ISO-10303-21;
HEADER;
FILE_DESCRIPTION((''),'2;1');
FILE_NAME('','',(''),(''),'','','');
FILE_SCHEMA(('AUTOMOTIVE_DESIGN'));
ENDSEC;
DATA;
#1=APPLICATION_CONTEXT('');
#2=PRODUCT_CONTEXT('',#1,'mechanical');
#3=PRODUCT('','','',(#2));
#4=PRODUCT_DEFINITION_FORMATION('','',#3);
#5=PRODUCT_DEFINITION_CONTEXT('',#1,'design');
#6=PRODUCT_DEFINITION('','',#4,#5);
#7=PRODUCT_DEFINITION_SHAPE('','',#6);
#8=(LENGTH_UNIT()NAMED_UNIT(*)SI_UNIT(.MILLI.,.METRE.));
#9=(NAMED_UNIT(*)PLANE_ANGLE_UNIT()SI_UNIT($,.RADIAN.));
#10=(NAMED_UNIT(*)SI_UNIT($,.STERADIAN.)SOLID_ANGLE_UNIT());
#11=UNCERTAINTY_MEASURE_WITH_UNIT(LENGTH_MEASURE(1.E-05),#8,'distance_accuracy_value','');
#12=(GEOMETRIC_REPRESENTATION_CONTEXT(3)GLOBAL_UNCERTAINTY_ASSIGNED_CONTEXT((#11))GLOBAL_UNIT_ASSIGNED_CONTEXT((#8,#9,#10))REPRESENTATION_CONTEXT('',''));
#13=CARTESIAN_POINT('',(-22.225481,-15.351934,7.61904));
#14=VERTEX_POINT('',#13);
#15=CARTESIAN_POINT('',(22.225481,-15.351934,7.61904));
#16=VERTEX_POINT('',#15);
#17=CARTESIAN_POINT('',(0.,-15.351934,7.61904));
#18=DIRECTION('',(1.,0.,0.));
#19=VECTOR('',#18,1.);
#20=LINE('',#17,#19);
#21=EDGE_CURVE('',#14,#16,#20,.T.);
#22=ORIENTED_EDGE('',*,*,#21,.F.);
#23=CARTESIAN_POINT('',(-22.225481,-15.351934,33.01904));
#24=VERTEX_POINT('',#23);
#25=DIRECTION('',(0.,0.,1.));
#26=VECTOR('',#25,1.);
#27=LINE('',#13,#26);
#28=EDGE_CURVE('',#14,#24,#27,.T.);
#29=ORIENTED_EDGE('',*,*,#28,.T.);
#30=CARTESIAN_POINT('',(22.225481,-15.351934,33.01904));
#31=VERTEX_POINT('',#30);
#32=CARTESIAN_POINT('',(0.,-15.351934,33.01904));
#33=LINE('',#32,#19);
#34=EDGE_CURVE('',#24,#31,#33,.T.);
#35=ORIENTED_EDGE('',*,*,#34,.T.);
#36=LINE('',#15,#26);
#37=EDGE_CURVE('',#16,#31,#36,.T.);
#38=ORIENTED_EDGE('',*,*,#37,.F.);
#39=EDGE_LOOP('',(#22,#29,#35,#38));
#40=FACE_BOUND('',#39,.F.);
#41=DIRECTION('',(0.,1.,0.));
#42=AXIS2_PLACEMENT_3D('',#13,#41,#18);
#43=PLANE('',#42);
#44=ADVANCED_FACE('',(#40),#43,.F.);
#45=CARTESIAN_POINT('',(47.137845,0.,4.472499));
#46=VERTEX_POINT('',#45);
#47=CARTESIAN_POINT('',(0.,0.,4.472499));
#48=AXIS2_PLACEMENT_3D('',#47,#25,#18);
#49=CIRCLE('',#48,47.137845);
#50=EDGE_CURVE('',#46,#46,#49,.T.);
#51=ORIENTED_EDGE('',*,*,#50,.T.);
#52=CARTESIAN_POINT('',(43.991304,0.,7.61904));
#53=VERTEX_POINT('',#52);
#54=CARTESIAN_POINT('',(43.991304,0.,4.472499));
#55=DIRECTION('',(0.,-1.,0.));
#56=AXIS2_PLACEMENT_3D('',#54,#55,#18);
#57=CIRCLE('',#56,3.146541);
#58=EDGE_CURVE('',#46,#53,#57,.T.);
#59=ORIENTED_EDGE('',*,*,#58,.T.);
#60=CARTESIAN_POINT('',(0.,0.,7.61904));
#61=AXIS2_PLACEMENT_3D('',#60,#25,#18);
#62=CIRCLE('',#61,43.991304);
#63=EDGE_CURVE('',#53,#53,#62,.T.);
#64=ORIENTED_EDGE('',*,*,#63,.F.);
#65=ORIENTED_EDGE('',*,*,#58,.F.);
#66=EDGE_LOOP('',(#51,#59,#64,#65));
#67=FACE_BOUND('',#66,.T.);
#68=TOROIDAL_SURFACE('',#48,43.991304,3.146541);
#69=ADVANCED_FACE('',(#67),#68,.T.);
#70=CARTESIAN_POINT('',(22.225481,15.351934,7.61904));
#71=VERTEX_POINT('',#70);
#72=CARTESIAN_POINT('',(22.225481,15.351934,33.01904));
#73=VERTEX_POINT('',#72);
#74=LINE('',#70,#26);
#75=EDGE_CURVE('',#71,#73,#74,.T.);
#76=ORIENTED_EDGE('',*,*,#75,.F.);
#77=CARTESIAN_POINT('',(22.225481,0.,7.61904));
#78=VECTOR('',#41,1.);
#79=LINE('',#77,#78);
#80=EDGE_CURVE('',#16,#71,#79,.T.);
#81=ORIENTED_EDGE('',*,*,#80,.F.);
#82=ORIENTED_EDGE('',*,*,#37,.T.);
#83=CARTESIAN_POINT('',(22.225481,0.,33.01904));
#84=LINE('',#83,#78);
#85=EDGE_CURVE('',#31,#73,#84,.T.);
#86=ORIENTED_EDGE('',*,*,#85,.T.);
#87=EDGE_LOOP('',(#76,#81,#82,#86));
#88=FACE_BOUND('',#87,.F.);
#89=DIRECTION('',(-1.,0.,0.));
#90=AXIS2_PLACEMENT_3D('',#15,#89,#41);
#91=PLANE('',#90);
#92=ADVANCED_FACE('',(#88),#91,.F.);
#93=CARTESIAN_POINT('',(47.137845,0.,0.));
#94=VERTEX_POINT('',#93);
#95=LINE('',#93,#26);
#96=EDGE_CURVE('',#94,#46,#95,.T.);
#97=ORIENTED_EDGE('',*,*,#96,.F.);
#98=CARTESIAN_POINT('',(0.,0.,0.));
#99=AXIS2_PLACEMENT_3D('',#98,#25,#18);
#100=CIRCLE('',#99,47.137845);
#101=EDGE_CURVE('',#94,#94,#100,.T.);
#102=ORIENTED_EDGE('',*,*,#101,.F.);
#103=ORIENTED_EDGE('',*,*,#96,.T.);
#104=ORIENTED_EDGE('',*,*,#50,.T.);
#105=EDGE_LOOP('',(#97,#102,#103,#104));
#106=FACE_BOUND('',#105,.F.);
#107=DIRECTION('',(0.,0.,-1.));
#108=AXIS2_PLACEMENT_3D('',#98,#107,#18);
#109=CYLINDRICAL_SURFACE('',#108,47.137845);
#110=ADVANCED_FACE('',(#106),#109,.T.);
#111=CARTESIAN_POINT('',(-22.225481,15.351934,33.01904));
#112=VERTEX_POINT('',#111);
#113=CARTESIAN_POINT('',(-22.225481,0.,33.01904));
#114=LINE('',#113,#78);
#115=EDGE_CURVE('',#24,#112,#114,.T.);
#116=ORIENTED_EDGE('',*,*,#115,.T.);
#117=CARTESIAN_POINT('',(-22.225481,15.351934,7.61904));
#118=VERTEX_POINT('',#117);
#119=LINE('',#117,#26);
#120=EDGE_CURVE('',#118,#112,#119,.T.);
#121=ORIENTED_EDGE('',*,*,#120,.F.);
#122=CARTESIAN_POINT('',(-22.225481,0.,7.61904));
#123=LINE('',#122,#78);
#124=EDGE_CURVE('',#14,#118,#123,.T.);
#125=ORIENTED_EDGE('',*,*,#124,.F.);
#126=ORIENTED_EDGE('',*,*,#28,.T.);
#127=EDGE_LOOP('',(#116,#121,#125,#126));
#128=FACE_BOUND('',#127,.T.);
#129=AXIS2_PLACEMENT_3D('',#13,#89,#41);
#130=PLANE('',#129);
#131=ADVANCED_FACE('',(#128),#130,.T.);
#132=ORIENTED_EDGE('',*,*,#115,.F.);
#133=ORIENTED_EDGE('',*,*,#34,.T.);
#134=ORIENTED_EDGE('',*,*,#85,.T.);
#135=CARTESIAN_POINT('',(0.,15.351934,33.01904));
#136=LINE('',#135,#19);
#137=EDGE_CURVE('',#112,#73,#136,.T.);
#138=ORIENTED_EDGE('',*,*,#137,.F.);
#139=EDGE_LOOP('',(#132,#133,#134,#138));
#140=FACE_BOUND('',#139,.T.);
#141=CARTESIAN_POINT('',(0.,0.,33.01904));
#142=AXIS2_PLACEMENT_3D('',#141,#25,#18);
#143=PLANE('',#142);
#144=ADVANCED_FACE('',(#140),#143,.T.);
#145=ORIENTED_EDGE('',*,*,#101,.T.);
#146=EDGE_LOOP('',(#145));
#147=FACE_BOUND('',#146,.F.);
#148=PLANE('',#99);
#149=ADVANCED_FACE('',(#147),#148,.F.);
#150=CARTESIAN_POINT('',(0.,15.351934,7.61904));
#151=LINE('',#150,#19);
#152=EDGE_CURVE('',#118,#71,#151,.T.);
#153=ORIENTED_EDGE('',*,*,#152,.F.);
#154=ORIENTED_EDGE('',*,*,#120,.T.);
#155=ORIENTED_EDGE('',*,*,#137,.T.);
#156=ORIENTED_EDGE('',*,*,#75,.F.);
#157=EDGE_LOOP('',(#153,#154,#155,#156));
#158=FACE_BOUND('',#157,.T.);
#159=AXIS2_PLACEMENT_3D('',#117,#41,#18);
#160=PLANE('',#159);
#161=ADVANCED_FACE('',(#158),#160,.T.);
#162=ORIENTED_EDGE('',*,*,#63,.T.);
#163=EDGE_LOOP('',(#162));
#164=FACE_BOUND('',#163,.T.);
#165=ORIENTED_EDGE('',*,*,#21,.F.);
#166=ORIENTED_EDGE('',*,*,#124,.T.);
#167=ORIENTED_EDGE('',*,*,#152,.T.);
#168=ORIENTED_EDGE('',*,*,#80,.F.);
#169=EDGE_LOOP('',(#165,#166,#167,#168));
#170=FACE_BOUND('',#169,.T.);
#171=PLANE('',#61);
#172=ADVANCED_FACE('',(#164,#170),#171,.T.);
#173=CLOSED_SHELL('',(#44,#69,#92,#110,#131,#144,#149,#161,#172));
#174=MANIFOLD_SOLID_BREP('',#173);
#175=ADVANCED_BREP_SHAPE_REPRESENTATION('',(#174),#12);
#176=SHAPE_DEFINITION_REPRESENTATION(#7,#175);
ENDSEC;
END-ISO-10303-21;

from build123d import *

# Parameters (mm, degrees)
F0_R     = 47.137845
F1_DEPTH = 7.61904
F2_R     = 3.146541
F4_W     = 44.450962
F4_H     = 30.703868
F5_DEPTH = 25.4


with BuildPart() as f1:
    # F0 (on Top) → F1 (new body)
    with BuildSketch(Plane.XY):
        Circle(F0_R)
    extrude(amount=F1_DEPTH)

    # F2
    f2_edges = [f1.edges().sort_by_distance(p)[0] for p in [
        (-47.137845, 0, 7.61904),
    ]]
    fillet(f2_edges, radius=F2_R)

    # F4 (on face) → F5 (join)
    with BuildSketch(Plane.XY.offset(7.61904)):
        Rectangle(F4_W, F4_H)
    extrude(amount=F5_DEPTH)


solid = f1.part
